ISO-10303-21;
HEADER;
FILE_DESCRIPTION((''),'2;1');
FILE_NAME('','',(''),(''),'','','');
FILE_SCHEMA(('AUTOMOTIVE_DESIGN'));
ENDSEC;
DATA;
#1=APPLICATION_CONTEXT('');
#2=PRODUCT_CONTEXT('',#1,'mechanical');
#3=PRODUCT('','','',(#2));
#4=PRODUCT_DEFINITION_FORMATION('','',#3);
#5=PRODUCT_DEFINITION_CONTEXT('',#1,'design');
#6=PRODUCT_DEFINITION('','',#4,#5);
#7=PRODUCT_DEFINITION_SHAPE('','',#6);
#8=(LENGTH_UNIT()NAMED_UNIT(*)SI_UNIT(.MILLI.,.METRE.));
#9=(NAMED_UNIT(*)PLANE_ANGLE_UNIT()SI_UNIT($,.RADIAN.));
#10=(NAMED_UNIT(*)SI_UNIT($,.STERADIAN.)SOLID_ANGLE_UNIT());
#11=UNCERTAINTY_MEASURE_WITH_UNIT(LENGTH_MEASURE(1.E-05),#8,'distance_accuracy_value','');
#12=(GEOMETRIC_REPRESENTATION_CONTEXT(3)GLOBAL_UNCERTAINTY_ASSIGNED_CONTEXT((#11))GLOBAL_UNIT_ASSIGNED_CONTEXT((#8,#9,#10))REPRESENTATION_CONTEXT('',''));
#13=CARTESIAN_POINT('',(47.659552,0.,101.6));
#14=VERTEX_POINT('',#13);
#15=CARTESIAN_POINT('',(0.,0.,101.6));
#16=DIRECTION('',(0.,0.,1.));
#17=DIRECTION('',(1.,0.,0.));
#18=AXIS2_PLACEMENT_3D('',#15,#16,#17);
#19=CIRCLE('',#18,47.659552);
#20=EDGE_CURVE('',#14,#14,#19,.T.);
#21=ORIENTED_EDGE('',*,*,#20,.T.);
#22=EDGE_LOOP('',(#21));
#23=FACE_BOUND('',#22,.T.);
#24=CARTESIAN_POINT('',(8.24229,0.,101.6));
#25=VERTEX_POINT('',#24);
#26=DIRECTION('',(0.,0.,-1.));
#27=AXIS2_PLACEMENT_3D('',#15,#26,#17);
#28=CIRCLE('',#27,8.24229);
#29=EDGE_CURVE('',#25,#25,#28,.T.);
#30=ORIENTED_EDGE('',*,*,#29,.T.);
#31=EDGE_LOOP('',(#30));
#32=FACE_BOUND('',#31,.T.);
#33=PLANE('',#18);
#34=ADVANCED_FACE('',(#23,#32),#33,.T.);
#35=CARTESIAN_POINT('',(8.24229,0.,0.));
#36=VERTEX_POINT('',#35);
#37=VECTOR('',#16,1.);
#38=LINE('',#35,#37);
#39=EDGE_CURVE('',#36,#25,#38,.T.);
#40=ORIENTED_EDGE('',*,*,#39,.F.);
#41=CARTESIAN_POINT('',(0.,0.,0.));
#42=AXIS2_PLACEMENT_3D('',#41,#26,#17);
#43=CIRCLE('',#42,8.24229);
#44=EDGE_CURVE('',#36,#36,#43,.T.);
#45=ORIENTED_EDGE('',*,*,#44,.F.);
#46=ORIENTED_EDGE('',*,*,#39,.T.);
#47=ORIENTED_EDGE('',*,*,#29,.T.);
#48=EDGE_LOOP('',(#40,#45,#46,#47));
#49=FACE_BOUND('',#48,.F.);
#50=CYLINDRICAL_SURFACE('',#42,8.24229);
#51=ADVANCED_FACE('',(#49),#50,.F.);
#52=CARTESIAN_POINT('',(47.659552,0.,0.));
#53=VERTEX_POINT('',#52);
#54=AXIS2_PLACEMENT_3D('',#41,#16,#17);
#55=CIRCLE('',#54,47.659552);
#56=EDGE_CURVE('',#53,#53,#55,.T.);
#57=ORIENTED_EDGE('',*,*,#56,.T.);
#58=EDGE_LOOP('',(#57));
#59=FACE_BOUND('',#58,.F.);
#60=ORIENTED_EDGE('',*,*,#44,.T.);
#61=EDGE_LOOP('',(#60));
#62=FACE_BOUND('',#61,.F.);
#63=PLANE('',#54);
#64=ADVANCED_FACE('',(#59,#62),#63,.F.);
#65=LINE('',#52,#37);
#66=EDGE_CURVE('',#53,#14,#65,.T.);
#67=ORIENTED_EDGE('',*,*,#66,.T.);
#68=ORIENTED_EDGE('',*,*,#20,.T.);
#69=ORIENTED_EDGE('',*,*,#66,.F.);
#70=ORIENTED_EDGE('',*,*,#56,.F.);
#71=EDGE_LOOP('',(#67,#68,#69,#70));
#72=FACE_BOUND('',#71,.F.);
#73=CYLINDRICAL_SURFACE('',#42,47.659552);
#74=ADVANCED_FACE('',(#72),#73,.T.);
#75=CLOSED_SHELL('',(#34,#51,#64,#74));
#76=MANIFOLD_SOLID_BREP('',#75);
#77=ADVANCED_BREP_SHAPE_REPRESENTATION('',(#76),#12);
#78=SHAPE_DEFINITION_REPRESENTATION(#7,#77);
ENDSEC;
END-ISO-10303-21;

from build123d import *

# Parameters (mm, degrees)
F0_R     = 47.659552
F2_DEPTH = 101.6
F1_R     = 13.037105
F3_DEPTH = 101.6
F4_R     = 8.24229
F5_DEPTH = 101.6


with BuildPart() as f2:
    # F0 (on Top) → F2 (new body)
    with BuildSketch(Plane.XY):
        Circle(F0_R)
    extrude(amount=F2_DEPTH)

    # F1 (on face) → F3 (join)
    with BuildSketch(Plane.XY):
        Circle(F1_R)
    extrude(amount=F3_DEPTH)

    # F4 (on face) → F5 (cut)
    with BuildSketch(Plane(origin=(0, 0, 0), x_dir=(1, 0, 0), z_dir=(0, 0, -1))):
        Circle(F4_R)
    extrude(amount=-F5_DEPTH, mode=Mode.SUBTRACT)


solid = f2.part
